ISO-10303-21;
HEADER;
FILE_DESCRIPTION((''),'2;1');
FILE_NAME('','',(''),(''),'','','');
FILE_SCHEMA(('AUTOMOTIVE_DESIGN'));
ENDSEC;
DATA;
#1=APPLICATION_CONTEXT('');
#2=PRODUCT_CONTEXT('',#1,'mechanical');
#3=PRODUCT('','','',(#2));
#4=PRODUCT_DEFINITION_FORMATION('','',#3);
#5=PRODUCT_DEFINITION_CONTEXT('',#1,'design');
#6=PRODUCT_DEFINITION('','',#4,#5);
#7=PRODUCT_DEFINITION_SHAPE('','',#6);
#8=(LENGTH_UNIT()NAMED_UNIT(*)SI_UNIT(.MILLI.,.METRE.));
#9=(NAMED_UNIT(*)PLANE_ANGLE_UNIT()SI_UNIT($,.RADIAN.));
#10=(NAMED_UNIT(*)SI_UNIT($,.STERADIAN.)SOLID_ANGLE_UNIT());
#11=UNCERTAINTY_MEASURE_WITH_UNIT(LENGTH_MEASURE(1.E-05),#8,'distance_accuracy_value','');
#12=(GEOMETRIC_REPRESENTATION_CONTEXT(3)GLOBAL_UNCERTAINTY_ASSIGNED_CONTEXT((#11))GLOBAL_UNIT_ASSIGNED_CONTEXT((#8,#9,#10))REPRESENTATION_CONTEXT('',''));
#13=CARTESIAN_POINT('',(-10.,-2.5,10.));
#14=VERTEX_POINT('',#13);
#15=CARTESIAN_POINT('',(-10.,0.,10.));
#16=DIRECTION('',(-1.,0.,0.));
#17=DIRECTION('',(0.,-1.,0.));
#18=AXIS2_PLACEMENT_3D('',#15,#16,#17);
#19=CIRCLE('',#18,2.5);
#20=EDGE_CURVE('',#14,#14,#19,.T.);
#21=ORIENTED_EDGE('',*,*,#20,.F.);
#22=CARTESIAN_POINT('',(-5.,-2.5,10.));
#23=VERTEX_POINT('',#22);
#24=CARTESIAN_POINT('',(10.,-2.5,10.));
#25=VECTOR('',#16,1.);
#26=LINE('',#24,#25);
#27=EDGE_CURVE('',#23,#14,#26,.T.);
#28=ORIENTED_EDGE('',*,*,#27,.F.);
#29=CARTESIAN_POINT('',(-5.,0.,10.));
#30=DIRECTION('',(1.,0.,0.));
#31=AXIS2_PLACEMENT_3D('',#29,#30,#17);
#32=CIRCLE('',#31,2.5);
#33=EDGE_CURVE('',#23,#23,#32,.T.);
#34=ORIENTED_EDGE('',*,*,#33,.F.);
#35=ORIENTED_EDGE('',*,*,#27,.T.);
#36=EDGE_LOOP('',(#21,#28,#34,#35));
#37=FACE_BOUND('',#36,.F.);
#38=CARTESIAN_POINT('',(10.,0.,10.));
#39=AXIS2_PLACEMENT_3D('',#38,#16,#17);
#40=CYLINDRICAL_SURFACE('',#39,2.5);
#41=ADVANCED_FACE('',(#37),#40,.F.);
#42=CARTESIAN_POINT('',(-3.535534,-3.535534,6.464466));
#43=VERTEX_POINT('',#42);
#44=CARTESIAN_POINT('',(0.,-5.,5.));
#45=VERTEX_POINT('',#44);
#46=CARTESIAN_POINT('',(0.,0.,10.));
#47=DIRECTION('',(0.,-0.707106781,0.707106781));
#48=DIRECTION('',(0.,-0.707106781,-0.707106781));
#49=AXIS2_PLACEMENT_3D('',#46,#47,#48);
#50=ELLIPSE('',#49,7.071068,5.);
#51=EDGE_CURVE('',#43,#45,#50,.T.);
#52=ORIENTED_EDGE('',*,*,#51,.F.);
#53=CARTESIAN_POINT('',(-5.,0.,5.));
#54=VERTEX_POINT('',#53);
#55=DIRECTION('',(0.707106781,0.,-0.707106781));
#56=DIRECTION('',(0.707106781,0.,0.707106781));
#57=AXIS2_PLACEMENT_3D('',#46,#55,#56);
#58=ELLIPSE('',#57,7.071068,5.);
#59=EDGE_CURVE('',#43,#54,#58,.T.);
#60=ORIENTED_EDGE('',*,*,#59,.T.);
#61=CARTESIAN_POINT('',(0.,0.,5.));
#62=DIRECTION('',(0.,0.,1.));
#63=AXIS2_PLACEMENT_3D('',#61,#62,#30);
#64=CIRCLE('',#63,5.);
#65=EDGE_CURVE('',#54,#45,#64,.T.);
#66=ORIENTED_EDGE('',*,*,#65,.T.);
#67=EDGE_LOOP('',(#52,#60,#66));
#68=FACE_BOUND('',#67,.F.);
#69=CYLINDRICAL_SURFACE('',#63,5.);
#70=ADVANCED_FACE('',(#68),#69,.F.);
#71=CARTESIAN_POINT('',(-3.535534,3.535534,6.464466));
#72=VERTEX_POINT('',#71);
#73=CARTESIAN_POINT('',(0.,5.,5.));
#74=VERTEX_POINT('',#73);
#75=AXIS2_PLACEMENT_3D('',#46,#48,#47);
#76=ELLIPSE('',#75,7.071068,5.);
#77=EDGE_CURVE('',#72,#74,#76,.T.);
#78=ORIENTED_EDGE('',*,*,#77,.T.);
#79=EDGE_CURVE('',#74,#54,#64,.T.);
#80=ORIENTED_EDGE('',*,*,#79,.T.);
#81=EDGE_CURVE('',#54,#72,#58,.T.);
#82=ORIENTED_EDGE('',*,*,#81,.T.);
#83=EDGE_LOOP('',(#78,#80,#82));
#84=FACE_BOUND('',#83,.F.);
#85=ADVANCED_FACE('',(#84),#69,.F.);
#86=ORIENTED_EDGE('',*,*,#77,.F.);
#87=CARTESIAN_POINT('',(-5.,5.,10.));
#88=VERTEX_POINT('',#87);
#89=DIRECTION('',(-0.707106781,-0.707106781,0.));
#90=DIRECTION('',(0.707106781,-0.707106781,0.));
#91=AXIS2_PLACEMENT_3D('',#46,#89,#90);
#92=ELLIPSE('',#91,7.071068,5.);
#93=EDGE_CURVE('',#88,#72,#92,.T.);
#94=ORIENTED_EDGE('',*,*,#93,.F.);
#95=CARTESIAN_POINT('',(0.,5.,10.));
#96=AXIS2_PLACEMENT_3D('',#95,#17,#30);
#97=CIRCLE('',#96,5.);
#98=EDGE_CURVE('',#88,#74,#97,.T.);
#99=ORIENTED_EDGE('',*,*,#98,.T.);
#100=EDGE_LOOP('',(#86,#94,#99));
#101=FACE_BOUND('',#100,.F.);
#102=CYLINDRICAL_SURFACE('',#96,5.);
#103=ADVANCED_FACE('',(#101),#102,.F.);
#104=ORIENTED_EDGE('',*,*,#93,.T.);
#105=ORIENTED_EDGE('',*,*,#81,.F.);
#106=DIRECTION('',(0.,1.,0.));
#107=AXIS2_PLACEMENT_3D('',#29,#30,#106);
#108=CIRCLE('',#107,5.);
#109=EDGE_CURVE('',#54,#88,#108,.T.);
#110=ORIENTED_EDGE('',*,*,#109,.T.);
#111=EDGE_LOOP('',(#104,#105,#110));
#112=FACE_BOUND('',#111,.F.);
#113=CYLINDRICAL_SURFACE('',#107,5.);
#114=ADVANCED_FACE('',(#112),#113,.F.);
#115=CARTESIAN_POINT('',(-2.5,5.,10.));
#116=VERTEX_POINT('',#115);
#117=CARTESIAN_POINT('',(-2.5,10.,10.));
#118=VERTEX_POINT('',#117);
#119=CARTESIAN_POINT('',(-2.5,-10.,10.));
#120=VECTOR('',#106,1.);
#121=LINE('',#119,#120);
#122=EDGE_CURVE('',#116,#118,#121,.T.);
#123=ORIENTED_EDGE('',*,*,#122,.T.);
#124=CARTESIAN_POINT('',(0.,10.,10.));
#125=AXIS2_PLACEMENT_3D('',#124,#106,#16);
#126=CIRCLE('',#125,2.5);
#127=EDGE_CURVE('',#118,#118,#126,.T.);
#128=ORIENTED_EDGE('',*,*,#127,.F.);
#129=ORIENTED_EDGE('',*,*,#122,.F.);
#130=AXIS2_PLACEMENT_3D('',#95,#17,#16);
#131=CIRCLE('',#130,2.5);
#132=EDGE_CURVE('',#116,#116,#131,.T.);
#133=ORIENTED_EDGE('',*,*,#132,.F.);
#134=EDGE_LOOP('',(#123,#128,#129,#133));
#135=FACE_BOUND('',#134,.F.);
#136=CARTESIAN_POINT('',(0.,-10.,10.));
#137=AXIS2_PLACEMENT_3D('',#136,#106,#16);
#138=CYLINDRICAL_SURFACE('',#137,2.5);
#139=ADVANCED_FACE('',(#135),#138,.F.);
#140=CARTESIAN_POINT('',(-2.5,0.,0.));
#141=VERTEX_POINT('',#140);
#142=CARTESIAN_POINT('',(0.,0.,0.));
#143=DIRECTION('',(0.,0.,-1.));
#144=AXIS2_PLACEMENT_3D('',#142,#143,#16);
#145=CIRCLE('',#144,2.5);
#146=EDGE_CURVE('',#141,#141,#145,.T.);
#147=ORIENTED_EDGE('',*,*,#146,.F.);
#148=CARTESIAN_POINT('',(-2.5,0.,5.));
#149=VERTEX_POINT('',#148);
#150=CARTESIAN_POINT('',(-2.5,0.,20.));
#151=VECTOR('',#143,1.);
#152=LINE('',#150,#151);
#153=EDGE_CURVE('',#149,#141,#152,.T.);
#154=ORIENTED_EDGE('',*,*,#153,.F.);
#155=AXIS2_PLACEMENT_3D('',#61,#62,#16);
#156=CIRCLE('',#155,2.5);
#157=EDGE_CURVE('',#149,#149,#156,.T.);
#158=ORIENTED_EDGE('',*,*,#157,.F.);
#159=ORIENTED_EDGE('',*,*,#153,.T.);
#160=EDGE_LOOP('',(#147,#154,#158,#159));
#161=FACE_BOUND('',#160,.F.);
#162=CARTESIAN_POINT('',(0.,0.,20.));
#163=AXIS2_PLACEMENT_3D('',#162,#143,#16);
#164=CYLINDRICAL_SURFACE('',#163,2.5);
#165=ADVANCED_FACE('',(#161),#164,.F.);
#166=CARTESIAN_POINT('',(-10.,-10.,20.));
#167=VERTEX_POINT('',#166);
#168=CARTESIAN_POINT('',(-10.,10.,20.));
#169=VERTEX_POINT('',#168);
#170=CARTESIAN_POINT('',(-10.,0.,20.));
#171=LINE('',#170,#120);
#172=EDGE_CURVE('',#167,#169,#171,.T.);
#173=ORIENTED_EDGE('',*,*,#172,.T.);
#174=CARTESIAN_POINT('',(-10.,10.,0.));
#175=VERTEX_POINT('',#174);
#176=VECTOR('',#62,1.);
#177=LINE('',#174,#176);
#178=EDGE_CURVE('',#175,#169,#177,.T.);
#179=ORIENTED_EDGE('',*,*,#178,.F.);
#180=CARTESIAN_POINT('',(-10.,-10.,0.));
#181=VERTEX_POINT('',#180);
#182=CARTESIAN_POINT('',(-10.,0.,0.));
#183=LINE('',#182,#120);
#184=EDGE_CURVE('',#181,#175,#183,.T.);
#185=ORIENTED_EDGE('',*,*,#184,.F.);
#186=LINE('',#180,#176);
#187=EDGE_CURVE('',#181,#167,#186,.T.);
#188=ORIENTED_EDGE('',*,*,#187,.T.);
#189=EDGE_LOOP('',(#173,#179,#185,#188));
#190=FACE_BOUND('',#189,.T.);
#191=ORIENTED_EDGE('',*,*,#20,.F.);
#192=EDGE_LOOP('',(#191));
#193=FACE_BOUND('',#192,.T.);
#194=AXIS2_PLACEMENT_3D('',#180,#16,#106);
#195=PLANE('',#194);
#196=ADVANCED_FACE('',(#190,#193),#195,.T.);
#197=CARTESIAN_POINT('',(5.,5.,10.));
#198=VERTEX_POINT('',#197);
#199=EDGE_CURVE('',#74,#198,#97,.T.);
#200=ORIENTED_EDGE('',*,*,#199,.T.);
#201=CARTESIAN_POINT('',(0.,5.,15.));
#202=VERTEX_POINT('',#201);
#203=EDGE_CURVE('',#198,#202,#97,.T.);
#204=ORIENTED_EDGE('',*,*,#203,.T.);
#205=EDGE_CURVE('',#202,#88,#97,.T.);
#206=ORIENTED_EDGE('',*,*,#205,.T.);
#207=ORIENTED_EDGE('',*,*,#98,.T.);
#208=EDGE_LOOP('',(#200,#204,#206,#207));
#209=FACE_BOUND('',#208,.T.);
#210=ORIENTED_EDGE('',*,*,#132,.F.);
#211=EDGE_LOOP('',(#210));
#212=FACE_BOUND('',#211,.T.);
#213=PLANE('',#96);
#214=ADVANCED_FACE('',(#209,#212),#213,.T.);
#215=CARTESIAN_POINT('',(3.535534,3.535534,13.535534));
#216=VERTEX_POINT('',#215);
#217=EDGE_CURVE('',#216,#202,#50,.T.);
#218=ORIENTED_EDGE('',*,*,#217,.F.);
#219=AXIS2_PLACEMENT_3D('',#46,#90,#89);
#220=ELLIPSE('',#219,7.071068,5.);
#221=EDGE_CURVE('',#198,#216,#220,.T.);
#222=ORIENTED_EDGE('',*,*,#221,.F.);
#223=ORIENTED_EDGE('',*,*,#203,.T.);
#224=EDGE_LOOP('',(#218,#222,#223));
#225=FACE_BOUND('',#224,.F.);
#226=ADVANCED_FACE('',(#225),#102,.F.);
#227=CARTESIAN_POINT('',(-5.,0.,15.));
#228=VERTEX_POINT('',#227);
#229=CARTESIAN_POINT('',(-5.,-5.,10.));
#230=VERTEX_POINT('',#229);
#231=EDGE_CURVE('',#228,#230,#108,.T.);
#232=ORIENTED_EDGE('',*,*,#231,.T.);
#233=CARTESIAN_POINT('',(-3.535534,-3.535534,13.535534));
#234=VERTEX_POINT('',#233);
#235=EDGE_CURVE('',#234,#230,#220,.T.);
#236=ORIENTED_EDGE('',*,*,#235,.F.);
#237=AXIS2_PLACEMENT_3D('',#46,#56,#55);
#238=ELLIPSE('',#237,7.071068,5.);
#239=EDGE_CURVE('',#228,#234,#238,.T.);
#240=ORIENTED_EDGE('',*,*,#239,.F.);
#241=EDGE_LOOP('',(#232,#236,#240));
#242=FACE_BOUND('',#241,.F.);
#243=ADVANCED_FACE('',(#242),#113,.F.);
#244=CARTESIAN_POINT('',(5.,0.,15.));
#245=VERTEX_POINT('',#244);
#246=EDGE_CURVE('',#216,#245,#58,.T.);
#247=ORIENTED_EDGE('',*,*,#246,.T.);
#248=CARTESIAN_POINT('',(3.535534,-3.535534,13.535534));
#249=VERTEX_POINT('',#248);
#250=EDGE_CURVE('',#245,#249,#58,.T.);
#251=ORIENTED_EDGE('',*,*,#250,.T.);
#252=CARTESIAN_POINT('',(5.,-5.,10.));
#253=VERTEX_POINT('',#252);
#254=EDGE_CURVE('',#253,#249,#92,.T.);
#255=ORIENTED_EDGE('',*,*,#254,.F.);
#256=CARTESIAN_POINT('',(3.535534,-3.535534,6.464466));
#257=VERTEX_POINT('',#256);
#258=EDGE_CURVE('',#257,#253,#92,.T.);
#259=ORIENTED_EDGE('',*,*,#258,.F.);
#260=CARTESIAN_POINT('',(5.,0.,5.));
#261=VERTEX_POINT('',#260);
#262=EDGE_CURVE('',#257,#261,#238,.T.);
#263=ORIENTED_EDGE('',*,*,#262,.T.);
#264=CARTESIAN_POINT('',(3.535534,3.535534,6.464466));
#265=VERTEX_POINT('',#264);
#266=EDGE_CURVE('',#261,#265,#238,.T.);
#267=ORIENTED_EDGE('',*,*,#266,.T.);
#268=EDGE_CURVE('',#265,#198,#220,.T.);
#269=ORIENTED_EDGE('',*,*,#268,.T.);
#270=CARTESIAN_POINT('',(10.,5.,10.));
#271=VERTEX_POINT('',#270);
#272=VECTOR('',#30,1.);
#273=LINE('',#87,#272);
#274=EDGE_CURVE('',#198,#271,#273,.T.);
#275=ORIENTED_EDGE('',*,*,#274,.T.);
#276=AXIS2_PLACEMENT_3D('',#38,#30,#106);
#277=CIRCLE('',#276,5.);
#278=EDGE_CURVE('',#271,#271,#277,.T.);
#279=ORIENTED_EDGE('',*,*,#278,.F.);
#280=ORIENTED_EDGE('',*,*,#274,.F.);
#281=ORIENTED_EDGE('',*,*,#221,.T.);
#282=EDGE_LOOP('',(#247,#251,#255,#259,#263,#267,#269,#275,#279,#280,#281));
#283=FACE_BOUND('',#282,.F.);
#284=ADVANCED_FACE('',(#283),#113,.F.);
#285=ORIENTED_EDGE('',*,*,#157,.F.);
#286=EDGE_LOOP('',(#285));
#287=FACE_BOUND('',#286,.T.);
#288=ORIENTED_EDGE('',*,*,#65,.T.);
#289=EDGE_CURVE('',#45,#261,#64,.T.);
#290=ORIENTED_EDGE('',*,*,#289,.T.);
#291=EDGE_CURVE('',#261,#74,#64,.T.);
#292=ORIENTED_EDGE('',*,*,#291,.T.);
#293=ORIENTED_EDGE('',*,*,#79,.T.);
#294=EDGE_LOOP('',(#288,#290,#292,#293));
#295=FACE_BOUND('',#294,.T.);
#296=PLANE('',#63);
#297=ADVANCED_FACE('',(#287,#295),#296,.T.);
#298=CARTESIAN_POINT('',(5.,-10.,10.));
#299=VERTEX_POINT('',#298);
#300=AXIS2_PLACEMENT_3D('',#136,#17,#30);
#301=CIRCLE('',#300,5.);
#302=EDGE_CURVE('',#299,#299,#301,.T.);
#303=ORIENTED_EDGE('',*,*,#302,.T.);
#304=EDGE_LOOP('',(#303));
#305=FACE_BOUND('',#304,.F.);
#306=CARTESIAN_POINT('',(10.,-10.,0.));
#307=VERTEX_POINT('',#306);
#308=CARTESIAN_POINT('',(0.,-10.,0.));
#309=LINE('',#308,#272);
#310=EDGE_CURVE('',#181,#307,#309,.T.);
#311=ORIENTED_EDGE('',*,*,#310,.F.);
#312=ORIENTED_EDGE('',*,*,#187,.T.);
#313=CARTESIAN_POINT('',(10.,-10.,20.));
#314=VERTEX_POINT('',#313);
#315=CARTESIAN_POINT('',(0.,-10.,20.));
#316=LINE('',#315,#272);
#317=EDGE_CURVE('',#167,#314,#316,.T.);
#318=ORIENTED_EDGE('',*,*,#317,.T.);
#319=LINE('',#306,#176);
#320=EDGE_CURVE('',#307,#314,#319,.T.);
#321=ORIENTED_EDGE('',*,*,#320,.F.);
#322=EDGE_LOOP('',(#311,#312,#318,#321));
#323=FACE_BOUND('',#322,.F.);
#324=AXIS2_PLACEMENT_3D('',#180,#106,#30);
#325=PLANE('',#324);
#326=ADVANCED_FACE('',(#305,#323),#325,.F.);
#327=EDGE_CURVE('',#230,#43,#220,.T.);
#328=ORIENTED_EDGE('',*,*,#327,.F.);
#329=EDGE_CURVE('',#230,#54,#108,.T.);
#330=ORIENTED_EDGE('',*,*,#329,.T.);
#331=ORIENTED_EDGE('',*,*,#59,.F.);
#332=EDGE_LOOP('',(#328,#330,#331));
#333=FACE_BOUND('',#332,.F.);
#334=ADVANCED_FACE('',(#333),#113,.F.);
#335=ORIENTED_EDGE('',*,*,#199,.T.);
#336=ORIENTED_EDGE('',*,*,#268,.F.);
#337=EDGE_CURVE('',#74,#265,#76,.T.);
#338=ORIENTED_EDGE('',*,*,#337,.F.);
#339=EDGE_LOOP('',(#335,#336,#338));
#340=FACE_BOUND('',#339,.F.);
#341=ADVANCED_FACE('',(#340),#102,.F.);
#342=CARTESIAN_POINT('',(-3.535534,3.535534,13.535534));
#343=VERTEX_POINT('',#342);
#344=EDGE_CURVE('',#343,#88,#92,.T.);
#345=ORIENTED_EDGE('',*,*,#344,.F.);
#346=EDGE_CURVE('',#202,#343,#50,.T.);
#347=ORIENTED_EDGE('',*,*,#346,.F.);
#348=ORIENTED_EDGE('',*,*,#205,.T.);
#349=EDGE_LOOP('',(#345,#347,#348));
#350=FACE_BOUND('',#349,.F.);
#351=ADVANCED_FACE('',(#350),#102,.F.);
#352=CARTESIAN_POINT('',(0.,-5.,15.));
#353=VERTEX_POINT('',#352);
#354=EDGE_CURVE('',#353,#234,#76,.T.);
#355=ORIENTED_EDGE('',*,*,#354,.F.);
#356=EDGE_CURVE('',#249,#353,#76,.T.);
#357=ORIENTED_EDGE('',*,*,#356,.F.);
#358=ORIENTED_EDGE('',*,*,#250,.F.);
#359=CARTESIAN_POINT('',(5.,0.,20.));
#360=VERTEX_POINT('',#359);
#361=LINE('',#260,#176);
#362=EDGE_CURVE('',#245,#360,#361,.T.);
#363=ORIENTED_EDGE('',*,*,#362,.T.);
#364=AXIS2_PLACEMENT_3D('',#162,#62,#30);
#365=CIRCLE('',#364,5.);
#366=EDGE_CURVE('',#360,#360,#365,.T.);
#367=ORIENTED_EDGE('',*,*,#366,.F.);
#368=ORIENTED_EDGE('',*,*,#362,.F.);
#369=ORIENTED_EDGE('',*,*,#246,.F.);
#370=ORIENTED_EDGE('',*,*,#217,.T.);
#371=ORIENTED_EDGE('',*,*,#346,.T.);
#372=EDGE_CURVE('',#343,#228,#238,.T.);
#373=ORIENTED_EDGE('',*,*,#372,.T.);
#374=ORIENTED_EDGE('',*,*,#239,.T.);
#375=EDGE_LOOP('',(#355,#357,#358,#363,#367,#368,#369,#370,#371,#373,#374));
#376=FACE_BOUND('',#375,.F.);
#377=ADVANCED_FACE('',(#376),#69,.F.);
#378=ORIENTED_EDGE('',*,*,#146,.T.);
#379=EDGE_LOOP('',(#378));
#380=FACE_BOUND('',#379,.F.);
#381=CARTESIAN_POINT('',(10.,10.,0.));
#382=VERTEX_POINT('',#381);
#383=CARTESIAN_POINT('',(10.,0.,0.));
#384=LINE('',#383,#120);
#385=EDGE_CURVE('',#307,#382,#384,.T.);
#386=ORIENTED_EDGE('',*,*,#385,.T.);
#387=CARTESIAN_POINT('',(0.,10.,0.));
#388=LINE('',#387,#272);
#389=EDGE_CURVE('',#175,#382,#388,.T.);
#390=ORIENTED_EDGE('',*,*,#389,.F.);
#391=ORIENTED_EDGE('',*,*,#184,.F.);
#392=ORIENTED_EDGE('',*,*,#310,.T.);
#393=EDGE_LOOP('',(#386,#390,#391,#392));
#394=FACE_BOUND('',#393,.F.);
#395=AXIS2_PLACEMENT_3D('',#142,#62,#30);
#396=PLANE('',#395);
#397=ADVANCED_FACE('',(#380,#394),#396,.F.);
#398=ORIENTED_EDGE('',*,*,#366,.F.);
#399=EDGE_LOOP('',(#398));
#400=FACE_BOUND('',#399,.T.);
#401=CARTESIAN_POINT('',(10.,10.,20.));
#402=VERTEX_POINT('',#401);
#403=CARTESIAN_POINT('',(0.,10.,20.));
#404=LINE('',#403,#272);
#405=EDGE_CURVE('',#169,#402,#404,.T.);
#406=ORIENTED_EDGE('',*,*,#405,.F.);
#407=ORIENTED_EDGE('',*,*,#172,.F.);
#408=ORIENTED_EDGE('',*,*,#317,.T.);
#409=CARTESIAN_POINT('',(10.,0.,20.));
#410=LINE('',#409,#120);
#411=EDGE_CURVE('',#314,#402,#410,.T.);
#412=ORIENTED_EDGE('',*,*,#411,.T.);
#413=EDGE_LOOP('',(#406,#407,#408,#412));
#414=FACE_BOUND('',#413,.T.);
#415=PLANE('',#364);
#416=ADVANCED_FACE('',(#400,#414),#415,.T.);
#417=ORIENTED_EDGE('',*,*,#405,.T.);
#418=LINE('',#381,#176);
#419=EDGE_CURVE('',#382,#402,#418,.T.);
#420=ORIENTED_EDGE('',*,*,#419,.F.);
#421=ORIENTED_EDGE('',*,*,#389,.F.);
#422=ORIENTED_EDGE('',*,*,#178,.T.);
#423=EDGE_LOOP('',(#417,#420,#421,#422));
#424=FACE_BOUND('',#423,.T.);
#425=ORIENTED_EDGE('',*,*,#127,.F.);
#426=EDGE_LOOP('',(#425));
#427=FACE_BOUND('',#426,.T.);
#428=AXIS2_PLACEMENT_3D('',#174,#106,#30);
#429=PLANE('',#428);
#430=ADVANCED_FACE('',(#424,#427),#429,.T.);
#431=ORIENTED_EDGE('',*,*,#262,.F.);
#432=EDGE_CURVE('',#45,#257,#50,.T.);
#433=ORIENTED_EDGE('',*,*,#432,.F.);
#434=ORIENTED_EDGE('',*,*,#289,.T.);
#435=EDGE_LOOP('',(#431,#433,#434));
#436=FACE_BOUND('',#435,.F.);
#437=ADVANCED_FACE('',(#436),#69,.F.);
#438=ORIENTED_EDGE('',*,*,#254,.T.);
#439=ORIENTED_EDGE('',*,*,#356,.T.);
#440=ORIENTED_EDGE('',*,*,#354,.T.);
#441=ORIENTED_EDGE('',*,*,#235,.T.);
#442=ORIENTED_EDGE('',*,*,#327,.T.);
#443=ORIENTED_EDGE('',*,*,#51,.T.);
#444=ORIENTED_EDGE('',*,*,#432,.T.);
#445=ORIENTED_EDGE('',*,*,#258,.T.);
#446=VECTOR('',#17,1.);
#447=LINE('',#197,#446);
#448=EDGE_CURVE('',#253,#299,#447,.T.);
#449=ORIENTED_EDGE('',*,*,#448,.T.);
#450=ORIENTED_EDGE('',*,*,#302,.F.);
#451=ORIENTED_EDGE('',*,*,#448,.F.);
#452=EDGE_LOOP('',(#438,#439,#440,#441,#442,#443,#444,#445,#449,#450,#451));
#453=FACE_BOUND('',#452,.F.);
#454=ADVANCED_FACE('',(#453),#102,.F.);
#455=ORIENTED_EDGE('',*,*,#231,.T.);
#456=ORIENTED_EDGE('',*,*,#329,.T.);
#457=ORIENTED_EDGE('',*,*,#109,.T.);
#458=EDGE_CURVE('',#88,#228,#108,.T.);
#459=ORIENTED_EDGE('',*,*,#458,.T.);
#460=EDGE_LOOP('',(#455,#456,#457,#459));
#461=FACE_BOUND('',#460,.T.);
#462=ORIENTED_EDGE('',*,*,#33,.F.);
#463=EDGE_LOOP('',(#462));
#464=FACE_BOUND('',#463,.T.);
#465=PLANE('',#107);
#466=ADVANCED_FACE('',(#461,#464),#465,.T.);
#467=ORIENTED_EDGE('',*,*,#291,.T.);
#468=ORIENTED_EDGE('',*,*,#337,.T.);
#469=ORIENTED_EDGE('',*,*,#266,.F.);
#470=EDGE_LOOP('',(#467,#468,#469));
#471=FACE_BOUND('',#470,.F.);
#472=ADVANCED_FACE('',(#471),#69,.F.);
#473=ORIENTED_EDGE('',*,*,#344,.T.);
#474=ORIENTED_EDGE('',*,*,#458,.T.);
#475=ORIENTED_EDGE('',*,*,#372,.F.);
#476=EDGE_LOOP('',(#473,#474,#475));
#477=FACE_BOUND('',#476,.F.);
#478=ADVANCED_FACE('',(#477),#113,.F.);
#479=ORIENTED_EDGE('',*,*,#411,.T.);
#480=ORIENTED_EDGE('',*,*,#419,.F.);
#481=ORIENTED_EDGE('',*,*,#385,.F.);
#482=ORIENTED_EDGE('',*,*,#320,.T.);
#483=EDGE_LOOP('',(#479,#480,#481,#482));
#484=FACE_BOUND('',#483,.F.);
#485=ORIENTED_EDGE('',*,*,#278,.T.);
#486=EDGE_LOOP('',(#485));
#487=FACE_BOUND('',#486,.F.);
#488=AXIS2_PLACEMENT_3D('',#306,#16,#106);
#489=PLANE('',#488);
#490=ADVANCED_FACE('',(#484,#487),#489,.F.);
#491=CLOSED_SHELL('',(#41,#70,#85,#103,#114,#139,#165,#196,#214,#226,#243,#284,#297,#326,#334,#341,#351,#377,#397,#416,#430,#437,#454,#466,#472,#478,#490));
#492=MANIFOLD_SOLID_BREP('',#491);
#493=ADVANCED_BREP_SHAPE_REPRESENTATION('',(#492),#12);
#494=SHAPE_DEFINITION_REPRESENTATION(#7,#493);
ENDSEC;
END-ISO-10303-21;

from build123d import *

# Parameters (mm, degrees)
F0_W                 = 20
F0_H                 = 20
F1_DEPTH             = 20
F5_D                 = 5
F5_CBORE_D           = 10
F5_CBORE_DEPTH       = 15
F5_ON_F3_D           = 5
F5_ON_F3_CBORE_D     = 10
F5_ON_F3_CBORE_DEPTH = 15
F5_ON_F4_D           = 5
F5_ON_F4_CBORE_D     = 10
F5_ON_F4_CBORE_DEPTH = 15


with BuildPart() as f1:
    # F0 (on Top) → F1 (new body)
    with BuildSketch(Plane.XY):
        Rectangle(F0_W, F0_H)
    extrude(amount=F1_DEPTH)

    # F5 (through all)
    with Locations(Plane.XZ.offset(10)):
        with Locations((0, 10)):
            CounterBoreHole(F5_D / 2, F5_CBORE_D / 2, F5_CBORE_DEPTH)

    # F5 on F3 (through all)
    with Locations(Plane.YZ.offset(10)):
        with Locations((0, 10)):
            CounterBoreHole(F5_ON_F3_D / 2, F5_ON_F3_CBORE_D / 2, F5_ON_F3_CBORE_DEPTH)

    # F5 on F4 (through all)
    with Locations(Plane.XY.offset(20)):
        with Locations((0, 0)):
            CounterBoreHole(F5_ON_F4_D / 2, F5_ON_F4_CBORE_D / 2, F5_ON_F4_CBORE_DEPTH)


solid = f1.part
